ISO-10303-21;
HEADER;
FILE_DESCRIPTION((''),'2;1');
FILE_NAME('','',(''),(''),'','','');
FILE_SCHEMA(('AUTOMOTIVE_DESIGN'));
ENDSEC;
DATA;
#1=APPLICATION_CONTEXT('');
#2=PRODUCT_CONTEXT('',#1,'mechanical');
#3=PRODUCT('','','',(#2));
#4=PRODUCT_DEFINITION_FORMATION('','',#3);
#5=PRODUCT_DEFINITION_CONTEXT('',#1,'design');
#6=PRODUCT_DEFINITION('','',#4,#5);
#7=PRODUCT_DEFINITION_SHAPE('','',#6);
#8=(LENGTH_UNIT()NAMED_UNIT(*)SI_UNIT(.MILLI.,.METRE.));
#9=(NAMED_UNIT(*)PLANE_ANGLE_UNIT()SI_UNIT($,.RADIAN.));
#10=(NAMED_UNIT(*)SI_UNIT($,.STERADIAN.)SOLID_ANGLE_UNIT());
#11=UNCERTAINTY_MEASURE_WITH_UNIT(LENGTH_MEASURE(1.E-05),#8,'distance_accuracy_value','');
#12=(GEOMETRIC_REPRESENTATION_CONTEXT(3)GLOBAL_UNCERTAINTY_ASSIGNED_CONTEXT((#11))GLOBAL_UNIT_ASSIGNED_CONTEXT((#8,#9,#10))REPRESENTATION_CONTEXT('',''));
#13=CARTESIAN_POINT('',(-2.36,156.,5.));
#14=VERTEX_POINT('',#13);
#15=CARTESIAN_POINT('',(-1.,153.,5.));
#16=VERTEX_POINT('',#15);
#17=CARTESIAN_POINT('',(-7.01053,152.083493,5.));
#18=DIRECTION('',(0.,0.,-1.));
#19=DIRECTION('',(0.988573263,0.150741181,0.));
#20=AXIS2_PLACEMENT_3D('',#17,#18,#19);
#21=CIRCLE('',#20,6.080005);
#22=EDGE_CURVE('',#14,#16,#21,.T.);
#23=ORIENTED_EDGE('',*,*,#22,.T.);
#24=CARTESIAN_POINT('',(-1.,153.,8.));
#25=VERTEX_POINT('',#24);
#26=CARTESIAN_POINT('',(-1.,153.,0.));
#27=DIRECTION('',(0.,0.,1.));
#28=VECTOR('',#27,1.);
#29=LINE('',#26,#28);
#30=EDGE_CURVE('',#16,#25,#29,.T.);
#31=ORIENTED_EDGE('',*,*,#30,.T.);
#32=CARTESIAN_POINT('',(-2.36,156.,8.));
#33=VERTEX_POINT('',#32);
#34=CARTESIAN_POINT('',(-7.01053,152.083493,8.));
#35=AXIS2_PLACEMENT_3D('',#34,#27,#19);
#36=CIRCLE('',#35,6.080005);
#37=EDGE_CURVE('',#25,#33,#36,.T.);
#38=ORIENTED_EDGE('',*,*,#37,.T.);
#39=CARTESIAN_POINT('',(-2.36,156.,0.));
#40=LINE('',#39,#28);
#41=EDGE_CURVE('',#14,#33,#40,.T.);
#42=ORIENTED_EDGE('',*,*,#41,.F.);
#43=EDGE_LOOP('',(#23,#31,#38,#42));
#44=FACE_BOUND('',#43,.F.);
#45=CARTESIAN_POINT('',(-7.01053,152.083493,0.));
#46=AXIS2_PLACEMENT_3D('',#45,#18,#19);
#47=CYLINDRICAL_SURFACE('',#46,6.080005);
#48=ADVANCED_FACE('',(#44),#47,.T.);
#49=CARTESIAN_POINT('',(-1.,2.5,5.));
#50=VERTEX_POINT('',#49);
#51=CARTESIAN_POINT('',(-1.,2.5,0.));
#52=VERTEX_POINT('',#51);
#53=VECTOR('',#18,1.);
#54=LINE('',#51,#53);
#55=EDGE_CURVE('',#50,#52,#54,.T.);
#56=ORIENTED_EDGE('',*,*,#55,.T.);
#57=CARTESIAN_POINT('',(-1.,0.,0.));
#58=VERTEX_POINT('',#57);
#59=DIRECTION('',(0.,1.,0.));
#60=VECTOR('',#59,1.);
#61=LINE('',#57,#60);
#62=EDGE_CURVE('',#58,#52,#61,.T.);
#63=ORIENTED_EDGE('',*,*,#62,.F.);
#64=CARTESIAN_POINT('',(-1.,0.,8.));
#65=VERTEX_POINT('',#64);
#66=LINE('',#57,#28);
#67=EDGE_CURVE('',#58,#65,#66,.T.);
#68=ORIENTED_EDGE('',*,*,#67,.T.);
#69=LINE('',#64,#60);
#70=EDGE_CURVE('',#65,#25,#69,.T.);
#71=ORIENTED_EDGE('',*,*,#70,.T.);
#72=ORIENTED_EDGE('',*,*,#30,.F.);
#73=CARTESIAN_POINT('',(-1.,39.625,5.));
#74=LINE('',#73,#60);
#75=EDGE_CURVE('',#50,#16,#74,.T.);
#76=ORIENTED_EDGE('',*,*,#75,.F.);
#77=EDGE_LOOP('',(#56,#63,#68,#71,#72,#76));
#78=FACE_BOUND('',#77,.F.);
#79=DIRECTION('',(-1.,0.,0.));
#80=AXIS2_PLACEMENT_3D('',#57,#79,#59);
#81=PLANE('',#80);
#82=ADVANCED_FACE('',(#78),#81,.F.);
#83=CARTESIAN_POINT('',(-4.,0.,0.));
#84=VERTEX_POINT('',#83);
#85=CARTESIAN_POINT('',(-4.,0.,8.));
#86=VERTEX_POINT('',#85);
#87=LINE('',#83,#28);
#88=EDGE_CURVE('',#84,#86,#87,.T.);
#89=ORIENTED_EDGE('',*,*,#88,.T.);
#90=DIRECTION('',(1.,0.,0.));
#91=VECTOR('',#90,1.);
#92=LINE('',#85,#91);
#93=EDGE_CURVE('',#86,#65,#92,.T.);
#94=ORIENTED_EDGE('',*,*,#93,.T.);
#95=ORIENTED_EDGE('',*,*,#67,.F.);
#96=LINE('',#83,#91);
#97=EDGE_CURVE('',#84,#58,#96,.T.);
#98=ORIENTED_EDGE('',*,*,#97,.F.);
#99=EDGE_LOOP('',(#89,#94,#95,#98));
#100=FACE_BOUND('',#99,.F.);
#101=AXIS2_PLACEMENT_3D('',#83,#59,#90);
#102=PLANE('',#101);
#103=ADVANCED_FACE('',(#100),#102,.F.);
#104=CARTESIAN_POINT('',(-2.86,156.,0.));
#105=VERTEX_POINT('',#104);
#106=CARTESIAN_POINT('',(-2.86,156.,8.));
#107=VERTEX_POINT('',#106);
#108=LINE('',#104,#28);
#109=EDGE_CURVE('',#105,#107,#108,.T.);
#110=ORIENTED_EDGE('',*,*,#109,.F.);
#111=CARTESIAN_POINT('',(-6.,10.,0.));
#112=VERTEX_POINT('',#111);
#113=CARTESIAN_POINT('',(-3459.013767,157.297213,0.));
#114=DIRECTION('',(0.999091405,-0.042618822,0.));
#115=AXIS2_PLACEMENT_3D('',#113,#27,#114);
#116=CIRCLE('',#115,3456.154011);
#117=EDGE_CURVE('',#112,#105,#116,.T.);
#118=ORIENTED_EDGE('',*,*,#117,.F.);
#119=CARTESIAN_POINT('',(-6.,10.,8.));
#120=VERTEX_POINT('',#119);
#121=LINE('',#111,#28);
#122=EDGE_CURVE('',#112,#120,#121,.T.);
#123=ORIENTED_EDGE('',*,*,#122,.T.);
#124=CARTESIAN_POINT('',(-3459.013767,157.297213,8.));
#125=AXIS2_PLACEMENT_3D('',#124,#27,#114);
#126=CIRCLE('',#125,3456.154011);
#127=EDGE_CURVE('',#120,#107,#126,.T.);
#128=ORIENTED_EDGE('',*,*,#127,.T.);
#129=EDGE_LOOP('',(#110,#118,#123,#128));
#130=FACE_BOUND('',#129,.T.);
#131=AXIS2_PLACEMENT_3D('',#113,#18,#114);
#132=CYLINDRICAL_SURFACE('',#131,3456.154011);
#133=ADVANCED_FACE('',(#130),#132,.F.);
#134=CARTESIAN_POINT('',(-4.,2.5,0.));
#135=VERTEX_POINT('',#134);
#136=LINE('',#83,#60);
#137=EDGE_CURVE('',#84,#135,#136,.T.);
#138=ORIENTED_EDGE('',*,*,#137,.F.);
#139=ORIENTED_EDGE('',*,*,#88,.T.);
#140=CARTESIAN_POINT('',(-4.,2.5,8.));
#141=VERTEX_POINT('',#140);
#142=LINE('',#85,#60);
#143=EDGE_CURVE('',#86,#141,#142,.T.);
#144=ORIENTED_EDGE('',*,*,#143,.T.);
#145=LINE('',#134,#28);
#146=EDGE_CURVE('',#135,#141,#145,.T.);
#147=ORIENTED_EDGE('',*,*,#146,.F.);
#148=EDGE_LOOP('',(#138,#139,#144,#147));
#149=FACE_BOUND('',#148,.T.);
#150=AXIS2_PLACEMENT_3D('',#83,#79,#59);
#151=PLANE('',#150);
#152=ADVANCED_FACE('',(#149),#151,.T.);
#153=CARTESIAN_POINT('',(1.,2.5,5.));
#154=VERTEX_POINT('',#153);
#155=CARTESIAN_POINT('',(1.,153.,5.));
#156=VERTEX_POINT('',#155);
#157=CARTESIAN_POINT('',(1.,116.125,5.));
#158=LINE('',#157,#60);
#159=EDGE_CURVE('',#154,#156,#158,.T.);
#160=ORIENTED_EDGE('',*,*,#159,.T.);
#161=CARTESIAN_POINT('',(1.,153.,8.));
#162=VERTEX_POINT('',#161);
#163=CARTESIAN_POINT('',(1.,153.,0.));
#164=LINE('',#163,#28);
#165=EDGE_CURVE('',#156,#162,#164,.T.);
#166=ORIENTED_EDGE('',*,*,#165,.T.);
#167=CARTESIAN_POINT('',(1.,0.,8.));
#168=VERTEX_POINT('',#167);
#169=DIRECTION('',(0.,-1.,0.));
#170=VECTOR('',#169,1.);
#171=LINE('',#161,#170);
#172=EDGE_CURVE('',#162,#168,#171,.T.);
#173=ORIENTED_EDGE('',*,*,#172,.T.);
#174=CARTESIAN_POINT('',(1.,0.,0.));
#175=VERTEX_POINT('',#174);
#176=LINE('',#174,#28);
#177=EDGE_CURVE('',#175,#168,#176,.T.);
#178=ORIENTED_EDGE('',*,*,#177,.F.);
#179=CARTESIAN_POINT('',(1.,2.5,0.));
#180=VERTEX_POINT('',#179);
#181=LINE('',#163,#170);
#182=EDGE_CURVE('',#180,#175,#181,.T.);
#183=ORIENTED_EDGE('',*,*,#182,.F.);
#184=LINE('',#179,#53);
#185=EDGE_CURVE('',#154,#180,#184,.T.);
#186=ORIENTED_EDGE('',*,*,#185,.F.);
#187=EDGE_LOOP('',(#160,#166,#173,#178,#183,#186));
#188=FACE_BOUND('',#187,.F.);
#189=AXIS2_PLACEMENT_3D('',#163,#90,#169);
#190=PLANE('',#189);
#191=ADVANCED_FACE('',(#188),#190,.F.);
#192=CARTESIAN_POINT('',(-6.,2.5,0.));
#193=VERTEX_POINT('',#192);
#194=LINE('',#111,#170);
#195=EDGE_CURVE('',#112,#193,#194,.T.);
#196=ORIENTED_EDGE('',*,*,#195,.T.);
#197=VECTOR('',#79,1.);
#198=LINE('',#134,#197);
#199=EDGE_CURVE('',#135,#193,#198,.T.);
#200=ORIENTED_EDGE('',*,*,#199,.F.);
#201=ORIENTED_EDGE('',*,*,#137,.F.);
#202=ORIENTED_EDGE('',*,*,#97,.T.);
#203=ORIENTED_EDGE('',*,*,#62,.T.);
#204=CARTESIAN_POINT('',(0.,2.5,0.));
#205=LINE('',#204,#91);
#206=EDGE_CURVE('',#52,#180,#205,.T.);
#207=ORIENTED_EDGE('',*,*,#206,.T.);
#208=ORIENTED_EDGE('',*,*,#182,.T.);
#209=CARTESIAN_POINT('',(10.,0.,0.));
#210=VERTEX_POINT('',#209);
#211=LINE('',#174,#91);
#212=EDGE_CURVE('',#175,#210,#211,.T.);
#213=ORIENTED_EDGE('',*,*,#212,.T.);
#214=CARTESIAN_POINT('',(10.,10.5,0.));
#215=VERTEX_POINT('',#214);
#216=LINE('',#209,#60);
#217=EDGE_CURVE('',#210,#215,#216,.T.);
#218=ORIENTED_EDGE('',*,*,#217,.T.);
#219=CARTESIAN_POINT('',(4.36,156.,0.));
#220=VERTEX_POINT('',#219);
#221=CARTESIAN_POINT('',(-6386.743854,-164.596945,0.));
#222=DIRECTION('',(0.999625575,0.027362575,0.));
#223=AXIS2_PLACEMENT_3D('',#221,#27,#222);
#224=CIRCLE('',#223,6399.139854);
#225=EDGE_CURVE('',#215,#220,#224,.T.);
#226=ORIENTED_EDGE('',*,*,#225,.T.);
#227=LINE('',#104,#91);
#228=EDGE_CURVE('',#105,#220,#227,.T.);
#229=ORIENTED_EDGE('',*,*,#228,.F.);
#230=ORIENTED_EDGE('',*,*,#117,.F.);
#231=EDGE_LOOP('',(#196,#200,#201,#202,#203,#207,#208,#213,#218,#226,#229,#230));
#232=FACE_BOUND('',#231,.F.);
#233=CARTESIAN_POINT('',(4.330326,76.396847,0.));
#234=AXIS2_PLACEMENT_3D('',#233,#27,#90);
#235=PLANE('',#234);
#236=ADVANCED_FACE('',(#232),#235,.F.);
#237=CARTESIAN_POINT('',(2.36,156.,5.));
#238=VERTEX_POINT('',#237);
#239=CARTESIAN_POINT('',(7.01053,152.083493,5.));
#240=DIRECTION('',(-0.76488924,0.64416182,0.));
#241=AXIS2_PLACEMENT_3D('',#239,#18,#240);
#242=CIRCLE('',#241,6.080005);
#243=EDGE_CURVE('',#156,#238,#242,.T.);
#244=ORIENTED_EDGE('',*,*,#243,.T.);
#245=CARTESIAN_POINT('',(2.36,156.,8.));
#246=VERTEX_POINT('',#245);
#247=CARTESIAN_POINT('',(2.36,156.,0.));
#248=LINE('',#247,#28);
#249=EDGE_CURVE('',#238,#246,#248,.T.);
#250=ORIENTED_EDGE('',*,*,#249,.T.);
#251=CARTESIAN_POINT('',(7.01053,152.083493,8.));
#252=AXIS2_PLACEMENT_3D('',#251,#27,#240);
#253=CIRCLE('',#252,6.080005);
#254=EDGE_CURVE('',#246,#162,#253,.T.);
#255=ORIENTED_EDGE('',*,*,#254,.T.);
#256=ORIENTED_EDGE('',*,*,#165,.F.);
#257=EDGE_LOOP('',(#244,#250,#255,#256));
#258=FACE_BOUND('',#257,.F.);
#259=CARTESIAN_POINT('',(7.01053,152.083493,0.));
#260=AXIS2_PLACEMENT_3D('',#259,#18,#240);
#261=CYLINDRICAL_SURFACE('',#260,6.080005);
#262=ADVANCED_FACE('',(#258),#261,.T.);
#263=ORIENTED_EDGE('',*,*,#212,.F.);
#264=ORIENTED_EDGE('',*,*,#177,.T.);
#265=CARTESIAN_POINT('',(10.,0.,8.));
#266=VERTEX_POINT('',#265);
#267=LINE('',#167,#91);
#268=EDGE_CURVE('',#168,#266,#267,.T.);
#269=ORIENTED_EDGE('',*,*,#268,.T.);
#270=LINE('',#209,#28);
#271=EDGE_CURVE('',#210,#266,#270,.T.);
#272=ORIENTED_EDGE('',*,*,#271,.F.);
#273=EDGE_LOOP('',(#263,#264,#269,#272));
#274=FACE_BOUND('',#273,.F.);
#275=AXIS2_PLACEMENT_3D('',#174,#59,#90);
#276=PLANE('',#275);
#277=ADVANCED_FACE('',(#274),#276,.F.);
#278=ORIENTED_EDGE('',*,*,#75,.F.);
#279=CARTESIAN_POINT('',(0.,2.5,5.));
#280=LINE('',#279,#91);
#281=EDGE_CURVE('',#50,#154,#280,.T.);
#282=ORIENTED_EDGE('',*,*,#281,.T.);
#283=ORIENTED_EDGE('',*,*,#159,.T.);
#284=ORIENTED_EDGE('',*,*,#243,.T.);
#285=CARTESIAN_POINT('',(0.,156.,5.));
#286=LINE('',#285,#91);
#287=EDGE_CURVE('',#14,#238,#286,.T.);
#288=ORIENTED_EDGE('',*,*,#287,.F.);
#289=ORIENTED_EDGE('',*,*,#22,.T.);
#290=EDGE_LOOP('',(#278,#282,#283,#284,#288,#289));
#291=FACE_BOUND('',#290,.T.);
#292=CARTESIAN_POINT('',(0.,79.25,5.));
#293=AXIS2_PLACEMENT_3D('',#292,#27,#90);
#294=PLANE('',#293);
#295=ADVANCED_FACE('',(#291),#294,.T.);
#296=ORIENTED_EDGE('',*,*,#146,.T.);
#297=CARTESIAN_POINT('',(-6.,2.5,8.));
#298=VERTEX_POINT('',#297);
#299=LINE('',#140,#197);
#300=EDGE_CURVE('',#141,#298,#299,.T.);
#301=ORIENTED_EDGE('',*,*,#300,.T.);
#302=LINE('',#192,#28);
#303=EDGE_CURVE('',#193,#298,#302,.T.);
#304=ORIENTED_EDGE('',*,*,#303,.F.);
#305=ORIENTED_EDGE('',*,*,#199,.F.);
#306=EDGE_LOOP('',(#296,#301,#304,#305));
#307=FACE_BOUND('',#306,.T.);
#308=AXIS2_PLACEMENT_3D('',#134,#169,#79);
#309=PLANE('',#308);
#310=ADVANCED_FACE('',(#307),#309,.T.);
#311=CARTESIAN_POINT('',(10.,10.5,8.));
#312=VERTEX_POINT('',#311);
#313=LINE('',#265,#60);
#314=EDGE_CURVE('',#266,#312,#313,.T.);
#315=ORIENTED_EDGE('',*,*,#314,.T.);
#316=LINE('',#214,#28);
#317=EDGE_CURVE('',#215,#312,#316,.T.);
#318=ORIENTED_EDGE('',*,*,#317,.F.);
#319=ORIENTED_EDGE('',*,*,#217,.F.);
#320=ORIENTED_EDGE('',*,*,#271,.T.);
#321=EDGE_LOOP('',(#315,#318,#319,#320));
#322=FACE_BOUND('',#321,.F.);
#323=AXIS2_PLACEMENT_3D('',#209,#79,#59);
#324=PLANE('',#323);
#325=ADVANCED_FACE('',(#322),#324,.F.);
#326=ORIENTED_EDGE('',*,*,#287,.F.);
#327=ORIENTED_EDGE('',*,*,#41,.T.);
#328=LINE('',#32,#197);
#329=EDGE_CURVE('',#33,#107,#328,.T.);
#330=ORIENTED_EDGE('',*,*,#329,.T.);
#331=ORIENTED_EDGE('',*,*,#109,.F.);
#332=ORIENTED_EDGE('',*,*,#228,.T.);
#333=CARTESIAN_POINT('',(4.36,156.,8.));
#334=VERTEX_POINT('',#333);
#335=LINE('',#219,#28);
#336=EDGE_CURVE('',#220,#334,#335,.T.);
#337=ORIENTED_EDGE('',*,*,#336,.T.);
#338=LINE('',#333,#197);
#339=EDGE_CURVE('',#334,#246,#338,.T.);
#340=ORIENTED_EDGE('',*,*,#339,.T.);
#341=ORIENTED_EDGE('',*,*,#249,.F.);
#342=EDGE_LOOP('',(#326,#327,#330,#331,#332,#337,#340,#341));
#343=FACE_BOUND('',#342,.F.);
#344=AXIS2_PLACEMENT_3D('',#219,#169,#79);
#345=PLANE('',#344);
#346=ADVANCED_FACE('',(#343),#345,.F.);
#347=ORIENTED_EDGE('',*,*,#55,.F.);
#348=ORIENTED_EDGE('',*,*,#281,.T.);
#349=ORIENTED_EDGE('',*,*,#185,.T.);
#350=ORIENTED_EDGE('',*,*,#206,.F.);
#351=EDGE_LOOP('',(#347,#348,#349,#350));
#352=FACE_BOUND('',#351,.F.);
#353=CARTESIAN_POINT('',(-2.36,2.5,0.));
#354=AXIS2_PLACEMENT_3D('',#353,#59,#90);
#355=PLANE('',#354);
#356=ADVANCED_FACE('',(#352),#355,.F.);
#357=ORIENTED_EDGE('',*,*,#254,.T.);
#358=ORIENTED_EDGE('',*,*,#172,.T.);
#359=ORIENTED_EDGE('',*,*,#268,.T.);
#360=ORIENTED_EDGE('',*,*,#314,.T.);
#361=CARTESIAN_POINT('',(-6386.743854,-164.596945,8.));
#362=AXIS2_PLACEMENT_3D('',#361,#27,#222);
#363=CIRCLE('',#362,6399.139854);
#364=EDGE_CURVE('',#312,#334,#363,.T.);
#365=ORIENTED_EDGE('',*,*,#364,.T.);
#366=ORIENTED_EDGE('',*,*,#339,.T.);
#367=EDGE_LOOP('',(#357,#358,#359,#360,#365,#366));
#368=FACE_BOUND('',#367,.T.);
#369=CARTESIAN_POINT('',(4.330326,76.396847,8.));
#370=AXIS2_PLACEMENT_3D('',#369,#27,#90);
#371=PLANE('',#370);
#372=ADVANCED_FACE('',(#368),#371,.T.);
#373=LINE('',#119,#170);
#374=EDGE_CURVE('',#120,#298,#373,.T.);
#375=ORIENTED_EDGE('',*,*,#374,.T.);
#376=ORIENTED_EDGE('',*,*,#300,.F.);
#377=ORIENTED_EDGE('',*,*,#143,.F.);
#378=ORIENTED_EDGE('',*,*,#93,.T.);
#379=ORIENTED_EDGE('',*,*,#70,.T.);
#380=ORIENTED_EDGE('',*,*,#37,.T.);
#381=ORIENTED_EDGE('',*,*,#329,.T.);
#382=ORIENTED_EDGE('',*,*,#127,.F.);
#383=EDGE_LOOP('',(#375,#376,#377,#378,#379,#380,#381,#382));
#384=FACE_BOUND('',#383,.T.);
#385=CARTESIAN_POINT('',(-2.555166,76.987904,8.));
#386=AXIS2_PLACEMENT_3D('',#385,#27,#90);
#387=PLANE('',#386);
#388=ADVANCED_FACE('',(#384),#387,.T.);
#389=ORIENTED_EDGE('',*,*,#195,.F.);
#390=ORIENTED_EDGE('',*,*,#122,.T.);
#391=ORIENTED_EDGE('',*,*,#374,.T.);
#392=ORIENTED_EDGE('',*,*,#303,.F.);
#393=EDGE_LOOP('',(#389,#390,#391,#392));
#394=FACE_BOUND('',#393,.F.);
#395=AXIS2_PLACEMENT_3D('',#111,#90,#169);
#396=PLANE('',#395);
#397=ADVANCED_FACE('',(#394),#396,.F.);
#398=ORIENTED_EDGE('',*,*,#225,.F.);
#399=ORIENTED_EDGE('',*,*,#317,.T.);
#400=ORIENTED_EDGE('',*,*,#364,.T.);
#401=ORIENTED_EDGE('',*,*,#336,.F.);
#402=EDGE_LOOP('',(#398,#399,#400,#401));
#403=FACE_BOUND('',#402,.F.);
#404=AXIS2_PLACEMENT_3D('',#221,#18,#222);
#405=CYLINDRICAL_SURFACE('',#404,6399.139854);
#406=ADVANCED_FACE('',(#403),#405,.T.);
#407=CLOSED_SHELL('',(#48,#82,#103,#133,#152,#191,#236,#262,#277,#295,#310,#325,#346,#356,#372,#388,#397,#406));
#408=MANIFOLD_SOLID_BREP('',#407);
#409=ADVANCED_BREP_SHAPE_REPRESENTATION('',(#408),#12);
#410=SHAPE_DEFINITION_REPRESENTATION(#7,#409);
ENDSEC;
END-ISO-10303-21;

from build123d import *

# Parameters (mm, degrees)
PAD_DEPTH    = 8
SKETCH_W     = 4.72
SKETCH_H     = 153.5
PAD001_DEPTH = 5
PAD003_DEPTH = 8


with BuildPart() as part:
    # Sketch003 → Pad (new body)
    with BuildSketch(Plane.XY):
        with BuildLine():
            Line((-1, 0), (-1, 153))
            ThreePointArc((-1, 153), (-1.472972, 154.593853), (-2.36, 156))
            Line((-2.36, 156), (-2.86, 156))
            ThreePointArc((-6, 10), (-3.658792, 82.983414), (-2.86, 156))
            Line((-6, 10), (-6, 2.5))
            Line((-4, 2.5), (-6, 2.5))
            Line((-4, 0), (-4, 2.5))
            Line((-4, 0), (-1, 0))
        make_face()
    extrude(amount=PAD_DEPTH)

    # Sketch → Pad001 (join)
    with BuildSketch(Plane.XY):
        with Locations((0, 79.25)):
            Rectangle(SKETCH_W, SKETCH_H)
    extrude(amount=PAD001_DEPTH)

    # Sketch011 → Pad003 (join)
    with BuildSketch(Plane.XY):
        with BuildLine():
            Line((1, 0), (10, 0))
            Line((10, 0), (10, 10.5))
            ThreePointArc((10, 10.5), (7.593861, 83.266042), (4.36, 156))
            Line((4.36, 156), (2.36, 156))
            ThreePointArc((2.36, 156), (1.472972, 154.593853), (1, 153))
            Line((1, 153), (1, 0))
        make_face()
    extrude(amount=PAD003_DEPTH)


solid = part.part
